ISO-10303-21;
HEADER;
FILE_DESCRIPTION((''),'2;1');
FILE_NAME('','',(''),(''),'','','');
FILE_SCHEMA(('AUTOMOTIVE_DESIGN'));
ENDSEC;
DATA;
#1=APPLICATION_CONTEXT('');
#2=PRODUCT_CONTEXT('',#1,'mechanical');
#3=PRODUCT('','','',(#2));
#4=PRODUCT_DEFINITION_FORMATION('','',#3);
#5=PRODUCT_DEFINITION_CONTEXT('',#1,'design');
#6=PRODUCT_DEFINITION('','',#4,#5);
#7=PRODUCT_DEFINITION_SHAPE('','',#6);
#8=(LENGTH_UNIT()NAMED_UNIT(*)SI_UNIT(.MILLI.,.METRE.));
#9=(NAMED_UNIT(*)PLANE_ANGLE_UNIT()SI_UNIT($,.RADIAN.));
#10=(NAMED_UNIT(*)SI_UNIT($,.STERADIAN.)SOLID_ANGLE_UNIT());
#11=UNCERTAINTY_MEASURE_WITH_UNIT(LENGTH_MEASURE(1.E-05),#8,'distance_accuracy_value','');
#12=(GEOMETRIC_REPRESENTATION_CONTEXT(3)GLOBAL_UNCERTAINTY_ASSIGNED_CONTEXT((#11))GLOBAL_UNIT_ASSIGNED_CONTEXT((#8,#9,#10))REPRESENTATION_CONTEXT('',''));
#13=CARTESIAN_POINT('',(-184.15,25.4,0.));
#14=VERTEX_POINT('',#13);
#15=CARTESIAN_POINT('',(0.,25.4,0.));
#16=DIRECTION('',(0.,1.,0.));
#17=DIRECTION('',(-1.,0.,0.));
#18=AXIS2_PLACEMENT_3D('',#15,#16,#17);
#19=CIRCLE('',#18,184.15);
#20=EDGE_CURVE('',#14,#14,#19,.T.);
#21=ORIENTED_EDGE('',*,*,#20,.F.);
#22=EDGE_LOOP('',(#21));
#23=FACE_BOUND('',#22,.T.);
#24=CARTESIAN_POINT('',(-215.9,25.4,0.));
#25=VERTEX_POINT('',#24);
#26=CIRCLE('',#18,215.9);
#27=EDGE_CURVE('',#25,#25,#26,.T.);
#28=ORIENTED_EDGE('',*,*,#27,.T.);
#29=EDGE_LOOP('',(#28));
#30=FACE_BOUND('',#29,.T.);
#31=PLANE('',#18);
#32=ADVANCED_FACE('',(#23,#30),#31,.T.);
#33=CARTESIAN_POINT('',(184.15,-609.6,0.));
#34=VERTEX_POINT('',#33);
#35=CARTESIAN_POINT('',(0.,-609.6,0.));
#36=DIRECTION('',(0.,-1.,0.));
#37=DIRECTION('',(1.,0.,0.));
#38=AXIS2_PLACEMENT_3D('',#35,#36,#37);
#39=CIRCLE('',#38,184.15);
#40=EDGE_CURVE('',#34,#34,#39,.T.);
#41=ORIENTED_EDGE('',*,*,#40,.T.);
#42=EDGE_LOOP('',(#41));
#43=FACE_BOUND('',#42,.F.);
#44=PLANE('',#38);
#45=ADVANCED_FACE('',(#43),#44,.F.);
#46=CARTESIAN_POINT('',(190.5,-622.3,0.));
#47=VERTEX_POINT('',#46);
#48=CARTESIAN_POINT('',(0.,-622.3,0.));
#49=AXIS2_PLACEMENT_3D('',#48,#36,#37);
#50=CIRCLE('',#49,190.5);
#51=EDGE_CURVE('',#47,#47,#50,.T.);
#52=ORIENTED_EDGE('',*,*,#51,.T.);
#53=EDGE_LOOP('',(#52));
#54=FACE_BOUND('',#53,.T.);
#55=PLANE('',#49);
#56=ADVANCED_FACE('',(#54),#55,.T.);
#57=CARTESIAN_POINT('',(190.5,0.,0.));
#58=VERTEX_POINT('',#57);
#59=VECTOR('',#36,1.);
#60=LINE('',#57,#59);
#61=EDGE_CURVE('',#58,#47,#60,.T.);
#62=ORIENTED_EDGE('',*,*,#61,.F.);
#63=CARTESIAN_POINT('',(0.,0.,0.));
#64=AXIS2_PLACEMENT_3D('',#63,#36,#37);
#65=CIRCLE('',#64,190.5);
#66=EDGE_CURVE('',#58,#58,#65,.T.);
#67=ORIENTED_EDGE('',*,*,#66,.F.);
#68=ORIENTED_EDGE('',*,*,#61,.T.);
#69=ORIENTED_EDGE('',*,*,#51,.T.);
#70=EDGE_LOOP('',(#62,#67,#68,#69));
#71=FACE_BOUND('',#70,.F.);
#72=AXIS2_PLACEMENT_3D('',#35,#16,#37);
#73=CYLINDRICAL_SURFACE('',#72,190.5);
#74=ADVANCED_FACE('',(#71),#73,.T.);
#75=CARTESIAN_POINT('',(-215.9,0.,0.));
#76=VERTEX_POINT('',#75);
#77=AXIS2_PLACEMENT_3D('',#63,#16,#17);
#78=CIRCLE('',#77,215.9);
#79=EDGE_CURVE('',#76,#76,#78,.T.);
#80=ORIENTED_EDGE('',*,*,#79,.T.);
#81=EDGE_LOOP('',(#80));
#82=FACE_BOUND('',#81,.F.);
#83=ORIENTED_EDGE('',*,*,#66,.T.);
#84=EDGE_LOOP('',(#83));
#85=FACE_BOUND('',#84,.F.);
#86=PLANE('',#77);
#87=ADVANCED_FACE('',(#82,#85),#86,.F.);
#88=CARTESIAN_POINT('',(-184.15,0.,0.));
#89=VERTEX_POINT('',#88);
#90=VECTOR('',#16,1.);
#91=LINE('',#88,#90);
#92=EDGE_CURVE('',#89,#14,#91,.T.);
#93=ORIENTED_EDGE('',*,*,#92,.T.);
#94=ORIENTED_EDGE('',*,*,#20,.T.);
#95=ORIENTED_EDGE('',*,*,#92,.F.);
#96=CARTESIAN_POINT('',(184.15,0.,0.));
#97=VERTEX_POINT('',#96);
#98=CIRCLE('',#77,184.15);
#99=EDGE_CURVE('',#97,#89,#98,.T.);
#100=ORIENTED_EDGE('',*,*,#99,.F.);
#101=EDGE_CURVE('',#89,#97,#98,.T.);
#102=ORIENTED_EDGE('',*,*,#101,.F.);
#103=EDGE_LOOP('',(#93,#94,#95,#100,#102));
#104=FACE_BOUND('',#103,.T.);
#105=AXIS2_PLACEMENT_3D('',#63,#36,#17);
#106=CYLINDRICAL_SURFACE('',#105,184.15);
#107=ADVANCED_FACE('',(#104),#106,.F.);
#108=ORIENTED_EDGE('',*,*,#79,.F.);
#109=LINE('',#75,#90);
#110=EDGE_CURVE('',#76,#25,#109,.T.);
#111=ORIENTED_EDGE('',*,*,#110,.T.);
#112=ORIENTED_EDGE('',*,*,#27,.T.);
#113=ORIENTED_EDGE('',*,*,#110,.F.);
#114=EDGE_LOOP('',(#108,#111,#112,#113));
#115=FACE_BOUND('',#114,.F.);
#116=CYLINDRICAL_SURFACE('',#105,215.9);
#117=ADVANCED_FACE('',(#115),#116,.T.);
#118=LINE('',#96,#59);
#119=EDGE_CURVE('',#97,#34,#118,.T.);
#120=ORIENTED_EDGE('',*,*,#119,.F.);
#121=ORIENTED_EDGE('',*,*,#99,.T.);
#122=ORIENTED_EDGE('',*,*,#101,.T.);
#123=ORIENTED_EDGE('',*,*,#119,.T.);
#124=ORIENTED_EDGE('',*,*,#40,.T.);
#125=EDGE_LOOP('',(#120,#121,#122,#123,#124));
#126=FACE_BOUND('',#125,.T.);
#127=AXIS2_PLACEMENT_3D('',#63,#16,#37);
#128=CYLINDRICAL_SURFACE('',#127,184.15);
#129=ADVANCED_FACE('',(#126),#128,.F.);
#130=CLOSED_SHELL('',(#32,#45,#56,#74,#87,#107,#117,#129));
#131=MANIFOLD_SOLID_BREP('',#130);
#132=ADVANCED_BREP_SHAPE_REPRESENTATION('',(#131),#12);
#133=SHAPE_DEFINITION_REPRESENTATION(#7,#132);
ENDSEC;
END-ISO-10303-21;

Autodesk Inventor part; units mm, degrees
ref_plane "YZ Plane" through (0, 0, 0) normal (1, 0, 0) x (0, 1, 0)
ref_plane "XZ Plane" through (0, 0, 0) normal (0, 1, 0) x (-1, 0, 0)
ref_plane "XY Plane" through (0, 0, 0) normal (0, 0, 1) x (1, 0, 0)
sketch "Sketch1" plane through (0, 0, 0) normal (0, 1, 0) x (-1, 0, 0)
  circle A0 centre (0, 0) radius 215.9
  circle A1 centre (0, 0) radius 184.15
  dimension "d0" = 431.8
  dimension "d1" = 368.3
extrude "Extrusion1" add sketch "Sketch1" along normal blind 25.4
sketch "Sketch2" plane through (0, 0, 0) normal (0, -1, 0) x (1, 0, 0)
  circle A0 centre (0, 0) radius 184.15
  circle A1 centre (0, 0) radius 190.5
  dimension "d4" = 381
extrude "Extrusion2" add sketch "Sketch2" along normal blind 609.6
sketch "Sketch3" plane through (0, -609.6, 0) normal (0, -1, 0) x (1, 0, 0)
  circle A0 centre (0, 0) radius 190.5
extrude "Extrusion3" add sketch "Sketch3" along normal blind 12.7
properties part number "Radiation Sheild 55K bottom"
